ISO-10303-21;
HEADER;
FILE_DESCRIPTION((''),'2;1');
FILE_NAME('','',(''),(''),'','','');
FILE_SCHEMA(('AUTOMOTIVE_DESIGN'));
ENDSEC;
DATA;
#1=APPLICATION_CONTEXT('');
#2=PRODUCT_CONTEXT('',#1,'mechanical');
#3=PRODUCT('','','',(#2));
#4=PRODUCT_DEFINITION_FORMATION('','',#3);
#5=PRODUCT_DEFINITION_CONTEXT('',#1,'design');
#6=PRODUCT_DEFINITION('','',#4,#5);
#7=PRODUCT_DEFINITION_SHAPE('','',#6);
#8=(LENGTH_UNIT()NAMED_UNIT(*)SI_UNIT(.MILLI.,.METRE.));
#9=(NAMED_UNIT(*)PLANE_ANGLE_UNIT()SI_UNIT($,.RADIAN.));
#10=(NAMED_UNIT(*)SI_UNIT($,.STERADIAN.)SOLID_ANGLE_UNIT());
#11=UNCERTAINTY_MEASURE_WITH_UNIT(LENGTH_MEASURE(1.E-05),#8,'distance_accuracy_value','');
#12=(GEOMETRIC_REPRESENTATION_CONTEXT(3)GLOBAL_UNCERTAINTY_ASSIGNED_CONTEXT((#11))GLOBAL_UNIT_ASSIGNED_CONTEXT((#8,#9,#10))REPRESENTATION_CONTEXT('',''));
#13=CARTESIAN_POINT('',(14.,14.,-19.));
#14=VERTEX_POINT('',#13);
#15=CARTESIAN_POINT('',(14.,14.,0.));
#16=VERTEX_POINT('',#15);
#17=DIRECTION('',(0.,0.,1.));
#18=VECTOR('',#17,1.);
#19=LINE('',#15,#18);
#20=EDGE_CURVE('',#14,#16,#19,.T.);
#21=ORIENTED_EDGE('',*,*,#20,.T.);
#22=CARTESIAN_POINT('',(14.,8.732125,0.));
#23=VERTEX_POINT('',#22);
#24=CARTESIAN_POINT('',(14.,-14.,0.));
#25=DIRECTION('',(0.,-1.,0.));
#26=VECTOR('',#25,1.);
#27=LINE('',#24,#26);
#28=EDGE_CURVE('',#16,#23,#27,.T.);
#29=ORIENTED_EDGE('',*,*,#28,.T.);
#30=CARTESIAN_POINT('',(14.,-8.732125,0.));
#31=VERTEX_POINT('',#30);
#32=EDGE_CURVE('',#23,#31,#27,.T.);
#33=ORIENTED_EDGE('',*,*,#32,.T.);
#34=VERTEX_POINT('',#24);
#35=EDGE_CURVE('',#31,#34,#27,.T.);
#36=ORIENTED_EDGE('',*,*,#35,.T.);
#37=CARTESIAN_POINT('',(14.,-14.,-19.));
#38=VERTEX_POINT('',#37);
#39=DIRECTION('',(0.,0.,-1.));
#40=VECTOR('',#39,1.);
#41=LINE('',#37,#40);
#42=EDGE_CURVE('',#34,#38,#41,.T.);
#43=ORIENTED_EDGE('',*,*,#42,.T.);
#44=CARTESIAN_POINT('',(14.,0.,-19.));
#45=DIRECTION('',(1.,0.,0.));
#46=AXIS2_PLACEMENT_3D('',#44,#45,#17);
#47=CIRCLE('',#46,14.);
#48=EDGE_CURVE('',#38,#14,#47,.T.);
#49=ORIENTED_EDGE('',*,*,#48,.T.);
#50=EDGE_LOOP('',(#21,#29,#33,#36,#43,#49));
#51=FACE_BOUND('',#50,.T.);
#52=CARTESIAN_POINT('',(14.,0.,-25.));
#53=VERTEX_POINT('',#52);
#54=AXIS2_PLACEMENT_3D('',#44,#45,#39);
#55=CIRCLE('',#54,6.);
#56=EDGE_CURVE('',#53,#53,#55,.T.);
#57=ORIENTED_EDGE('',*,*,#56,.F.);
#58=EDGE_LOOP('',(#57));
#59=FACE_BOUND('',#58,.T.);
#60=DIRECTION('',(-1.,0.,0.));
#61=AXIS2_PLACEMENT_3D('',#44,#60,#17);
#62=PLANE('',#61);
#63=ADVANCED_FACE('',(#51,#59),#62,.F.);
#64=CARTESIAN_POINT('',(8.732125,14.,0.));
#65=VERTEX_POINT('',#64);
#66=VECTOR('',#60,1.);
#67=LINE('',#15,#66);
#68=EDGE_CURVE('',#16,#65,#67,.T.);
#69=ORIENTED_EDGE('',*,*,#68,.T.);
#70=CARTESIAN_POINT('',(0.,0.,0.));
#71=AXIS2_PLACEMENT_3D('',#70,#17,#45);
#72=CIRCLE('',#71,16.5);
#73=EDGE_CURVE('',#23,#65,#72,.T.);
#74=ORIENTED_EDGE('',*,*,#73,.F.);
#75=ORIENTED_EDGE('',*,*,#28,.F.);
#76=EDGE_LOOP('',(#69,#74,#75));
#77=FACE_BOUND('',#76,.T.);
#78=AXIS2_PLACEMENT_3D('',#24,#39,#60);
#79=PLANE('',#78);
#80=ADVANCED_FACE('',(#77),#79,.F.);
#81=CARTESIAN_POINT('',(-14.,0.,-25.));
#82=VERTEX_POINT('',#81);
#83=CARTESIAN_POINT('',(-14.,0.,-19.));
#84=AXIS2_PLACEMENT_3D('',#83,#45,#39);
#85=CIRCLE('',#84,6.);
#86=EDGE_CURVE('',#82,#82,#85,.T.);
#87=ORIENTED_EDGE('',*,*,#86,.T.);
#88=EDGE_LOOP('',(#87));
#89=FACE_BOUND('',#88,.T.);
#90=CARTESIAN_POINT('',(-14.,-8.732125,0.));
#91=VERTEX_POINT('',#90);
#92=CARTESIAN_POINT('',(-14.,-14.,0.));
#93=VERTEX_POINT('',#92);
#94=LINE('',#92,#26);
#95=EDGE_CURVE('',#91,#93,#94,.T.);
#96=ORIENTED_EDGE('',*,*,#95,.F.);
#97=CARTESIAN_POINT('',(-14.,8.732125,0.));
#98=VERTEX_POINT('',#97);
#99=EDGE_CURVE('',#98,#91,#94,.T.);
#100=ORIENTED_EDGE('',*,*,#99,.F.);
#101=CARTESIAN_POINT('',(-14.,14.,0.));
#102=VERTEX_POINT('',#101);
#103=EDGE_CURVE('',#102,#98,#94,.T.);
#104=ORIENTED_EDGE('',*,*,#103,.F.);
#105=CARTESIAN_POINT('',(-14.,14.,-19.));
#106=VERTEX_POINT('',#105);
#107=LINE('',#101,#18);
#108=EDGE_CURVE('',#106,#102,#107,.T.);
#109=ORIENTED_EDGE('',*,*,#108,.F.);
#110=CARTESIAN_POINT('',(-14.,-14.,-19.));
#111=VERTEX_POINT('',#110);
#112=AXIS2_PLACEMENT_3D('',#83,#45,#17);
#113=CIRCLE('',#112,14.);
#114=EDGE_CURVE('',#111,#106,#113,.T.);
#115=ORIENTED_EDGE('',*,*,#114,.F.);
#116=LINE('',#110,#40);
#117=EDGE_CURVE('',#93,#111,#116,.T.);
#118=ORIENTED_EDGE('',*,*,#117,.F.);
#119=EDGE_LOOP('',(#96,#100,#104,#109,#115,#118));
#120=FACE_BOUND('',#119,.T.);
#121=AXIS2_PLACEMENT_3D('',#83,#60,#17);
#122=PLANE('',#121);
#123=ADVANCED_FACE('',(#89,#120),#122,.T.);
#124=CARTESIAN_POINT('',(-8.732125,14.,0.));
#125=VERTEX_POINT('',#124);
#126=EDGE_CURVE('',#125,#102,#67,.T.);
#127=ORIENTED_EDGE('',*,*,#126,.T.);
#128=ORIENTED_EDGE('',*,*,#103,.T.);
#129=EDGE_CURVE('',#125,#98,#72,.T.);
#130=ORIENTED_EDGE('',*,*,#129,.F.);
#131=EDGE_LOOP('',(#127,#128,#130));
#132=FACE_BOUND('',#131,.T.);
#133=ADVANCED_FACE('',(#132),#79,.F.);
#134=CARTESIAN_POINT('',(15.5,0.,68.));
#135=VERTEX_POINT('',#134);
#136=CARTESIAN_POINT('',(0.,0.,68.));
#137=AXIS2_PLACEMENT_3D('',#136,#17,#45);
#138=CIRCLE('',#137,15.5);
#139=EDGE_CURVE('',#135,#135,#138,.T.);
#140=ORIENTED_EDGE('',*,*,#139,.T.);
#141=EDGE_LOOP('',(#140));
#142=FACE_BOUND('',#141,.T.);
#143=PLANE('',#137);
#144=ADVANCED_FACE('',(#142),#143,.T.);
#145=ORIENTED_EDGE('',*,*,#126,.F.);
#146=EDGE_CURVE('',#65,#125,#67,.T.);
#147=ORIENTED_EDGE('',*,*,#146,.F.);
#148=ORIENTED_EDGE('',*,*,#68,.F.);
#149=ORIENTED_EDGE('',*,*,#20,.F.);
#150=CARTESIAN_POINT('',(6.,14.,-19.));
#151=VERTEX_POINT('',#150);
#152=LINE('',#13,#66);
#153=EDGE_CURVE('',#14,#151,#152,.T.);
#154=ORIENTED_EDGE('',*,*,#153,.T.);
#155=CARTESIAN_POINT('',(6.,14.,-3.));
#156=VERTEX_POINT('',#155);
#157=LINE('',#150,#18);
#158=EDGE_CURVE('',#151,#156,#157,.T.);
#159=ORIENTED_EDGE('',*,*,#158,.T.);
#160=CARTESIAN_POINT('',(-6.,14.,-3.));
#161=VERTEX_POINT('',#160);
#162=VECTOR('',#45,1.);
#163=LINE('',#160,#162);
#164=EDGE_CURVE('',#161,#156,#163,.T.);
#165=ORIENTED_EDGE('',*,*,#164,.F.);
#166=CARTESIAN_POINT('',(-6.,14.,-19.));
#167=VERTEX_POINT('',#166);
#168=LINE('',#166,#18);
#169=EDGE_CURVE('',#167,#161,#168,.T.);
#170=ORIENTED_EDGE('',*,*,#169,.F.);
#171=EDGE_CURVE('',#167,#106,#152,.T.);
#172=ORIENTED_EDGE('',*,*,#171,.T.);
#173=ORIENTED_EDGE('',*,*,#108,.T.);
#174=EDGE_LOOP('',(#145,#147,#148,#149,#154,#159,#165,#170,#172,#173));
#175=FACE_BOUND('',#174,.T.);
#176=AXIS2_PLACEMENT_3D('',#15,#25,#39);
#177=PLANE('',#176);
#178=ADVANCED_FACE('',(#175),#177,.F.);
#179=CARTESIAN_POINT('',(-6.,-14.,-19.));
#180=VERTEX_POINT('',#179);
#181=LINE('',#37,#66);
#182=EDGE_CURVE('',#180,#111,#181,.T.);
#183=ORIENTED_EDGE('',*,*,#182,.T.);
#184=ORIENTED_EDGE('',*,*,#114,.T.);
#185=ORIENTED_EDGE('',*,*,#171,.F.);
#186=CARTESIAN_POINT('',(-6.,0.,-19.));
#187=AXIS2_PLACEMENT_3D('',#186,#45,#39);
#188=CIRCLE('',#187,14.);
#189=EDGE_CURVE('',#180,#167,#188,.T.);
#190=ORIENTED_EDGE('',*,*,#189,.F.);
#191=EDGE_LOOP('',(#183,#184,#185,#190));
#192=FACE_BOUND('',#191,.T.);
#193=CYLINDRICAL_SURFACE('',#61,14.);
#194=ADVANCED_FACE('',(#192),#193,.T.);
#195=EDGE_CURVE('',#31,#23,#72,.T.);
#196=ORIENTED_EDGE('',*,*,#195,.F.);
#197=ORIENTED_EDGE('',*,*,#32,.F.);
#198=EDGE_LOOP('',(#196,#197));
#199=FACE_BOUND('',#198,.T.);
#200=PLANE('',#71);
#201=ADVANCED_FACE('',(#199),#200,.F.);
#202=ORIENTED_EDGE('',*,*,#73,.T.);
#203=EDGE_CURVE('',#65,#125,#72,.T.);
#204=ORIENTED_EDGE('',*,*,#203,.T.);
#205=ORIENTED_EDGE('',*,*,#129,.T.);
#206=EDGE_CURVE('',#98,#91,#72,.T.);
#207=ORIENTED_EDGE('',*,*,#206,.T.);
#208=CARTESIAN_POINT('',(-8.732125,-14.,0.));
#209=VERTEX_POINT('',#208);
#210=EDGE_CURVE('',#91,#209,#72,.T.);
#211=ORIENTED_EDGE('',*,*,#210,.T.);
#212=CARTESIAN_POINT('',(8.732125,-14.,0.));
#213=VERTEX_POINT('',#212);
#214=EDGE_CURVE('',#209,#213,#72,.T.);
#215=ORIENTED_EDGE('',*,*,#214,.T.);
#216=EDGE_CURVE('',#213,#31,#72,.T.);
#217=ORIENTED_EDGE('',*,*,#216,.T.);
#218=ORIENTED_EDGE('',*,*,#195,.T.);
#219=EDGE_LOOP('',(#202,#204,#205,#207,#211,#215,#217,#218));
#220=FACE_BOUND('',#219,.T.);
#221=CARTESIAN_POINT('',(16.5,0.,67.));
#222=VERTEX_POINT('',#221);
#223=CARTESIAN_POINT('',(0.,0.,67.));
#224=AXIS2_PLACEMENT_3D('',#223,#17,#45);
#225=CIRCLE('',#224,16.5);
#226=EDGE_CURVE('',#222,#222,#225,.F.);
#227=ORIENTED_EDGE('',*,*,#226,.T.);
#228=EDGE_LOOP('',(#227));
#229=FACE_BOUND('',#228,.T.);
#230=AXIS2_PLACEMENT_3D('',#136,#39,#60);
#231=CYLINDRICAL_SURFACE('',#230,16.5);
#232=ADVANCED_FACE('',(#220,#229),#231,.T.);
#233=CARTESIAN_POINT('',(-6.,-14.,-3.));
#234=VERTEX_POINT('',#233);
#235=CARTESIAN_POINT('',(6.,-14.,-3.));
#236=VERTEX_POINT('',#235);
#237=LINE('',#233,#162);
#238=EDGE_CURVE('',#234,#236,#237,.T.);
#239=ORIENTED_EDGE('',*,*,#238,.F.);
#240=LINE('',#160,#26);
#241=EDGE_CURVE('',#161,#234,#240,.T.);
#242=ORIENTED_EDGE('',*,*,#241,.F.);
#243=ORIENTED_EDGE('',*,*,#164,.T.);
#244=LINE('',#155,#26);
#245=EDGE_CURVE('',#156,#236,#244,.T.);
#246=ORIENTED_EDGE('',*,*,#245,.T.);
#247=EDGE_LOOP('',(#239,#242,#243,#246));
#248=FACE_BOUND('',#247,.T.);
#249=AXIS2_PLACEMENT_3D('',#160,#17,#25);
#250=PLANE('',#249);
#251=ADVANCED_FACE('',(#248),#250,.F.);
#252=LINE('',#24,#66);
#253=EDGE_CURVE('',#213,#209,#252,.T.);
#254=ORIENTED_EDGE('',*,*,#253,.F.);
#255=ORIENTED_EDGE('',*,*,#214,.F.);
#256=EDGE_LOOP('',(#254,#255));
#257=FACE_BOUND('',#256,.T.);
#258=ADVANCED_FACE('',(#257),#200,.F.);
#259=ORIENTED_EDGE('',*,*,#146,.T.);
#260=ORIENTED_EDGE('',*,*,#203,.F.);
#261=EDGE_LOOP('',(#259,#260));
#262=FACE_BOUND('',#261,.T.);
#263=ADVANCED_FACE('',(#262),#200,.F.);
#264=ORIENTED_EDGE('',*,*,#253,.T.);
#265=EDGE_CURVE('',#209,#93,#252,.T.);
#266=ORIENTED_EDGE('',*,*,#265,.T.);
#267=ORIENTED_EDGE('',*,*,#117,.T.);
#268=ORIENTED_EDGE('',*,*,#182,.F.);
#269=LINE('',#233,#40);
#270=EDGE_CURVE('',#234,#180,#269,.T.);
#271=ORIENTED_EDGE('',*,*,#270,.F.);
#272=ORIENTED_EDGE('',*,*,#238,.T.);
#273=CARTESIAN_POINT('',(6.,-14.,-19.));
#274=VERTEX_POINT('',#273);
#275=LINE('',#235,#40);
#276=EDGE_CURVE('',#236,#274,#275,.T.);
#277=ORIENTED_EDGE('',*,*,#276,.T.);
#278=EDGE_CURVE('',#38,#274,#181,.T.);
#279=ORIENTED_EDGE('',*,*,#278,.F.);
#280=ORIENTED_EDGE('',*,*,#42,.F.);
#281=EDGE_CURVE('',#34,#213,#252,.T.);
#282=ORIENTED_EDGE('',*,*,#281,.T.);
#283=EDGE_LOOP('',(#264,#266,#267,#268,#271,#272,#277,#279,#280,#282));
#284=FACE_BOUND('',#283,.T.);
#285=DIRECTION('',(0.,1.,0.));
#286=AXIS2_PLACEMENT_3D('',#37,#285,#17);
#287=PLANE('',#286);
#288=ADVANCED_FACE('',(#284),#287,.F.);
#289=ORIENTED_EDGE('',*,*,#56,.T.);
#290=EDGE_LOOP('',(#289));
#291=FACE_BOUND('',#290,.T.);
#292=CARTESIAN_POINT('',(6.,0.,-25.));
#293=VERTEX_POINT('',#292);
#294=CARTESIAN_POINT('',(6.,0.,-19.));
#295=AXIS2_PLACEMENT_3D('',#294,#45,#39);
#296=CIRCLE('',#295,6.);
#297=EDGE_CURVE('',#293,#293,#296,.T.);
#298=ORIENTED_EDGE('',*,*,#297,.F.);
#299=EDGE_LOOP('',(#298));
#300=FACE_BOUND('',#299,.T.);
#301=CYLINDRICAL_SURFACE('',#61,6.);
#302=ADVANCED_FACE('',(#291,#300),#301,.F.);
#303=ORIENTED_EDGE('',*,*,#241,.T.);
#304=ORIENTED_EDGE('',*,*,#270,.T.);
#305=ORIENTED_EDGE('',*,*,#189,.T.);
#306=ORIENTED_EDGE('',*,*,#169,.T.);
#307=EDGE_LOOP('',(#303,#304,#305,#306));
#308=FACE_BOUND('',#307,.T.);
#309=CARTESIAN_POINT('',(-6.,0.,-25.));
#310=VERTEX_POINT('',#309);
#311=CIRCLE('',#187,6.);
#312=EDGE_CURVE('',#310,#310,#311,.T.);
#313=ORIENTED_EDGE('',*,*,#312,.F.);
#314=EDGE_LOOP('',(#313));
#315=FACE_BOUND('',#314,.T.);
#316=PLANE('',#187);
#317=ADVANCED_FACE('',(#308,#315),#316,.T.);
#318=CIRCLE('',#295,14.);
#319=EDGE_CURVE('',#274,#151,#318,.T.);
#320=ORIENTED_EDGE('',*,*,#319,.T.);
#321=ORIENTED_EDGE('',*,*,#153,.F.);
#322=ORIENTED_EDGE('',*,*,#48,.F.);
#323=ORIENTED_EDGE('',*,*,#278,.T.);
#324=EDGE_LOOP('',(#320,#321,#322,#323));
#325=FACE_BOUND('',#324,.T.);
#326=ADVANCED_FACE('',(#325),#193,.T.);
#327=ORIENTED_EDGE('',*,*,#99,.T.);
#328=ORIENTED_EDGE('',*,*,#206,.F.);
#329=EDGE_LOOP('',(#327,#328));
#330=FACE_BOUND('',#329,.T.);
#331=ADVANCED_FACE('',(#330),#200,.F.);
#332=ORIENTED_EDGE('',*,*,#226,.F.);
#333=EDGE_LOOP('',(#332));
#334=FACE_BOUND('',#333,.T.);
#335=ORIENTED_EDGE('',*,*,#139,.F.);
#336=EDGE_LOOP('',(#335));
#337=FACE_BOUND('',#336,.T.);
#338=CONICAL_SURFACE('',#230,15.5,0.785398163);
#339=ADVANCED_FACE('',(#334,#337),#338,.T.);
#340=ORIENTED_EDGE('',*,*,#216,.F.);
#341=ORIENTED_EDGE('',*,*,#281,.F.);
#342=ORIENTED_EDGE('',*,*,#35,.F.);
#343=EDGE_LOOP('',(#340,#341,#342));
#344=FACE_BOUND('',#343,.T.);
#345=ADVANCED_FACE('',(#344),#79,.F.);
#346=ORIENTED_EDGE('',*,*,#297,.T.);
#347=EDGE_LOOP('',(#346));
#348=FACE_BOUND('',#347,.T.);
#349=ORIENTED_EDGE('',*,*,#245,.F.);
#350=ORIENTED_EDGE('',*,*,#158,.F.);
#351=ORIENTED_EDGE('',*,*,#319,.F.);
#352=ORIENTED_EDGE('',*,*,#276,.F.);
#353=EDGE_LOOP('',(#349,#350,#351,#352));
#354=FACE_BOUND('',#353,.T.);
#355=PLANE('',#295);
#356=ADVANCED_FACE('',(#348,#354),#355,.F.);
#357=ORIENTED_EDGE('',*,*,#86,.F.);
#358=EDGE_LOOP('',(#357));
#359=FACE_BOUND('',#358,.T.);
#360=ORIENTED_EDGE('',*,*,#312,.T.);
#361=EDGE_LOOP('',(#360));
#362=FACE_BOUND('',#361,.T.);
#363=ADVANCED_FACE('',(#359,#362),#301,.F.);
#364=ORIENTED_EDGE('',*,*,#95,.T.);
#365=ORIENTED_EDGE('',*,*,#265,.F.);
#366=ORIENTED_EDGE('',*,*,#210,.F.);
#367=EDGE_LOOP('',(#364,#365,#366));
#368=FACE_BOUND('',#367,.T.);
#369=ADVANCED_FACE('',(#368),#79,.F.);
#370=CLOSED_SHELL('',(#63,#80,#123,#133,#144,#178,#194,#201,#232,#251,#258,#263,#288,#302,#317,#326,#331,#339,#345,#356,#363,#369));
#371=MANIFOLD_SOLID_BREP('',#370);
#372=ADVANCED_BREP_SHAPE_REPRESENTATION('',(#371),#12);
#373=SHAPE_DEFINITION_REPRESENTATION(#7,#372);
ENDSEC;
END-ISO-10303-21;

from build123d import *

# Parameters (mm, degrees)
SKETCH_1_R          = 16.5
EXTRUDE_1_DEPTH     = 68
CHAMFER_1_SIZE      = 1
SKETCH_3_R          = 6
EXTRUDE_2_DEPTH     = 14
CUT_EXTRUDE_3_DEPTH = 6


with BuildPart() as part:
    # 草圖1 → 伸長1 (new body)
    with BuildSketch(Plane.XY):
        Circle(SKETCH_1_R)
    extrude(amount=EXTRUDE_1_DEPTH)

    # 導角1
    chamfer_1_edges = [part.edges().sort_by_distance(p)[0] for p in [
        (-16.5, 0, 68),
    ]]
    chamfer(chamfer_1_edges, length=CHAMFER_1_SIZE)

    # 草圖3 → 伸長2 (add, symmetric)
    with BuildSketch(Plane(origin=(0, 0, 0), x_dir=(0, 0, -1), z_dir=(1, 0, 0))):
        with BuildLine():
            Line((0, 14), (19, 14))
            ThreePointArc((19, 14), (33, 0), (19, -14))
            Line((19, -14), (0, -14))
            Line((0, -14), (0, 14))
        make_face()
        with Locations((19, 0)):
            Circle(SKETCH_3_R, mode=Mode.SUBTRACT)
    extrude(amount=EXTRUDE_2_DEPTH, both=True)

    # 草圖4 → 伸長3 (cut, symmetric)
    with BuildSketch(Plane(origin=(0, 0, 0), x_dir=(0, 0, -1), z_dir=(1, 0, 0))):
        with BuildLine():
            Line((3, 14), (3, -14))
            Line((3, -14), (19, -14))
            ThreePointArc((19, -14), (33, 0), (19, 14))
            Line((19, 14), (3, 14))
        make_face()
    extrude(amount=CUT_EXTRUDE_3_DEPTH, both=True, mode=Mode.SUBTRACT)


solid = part.part
